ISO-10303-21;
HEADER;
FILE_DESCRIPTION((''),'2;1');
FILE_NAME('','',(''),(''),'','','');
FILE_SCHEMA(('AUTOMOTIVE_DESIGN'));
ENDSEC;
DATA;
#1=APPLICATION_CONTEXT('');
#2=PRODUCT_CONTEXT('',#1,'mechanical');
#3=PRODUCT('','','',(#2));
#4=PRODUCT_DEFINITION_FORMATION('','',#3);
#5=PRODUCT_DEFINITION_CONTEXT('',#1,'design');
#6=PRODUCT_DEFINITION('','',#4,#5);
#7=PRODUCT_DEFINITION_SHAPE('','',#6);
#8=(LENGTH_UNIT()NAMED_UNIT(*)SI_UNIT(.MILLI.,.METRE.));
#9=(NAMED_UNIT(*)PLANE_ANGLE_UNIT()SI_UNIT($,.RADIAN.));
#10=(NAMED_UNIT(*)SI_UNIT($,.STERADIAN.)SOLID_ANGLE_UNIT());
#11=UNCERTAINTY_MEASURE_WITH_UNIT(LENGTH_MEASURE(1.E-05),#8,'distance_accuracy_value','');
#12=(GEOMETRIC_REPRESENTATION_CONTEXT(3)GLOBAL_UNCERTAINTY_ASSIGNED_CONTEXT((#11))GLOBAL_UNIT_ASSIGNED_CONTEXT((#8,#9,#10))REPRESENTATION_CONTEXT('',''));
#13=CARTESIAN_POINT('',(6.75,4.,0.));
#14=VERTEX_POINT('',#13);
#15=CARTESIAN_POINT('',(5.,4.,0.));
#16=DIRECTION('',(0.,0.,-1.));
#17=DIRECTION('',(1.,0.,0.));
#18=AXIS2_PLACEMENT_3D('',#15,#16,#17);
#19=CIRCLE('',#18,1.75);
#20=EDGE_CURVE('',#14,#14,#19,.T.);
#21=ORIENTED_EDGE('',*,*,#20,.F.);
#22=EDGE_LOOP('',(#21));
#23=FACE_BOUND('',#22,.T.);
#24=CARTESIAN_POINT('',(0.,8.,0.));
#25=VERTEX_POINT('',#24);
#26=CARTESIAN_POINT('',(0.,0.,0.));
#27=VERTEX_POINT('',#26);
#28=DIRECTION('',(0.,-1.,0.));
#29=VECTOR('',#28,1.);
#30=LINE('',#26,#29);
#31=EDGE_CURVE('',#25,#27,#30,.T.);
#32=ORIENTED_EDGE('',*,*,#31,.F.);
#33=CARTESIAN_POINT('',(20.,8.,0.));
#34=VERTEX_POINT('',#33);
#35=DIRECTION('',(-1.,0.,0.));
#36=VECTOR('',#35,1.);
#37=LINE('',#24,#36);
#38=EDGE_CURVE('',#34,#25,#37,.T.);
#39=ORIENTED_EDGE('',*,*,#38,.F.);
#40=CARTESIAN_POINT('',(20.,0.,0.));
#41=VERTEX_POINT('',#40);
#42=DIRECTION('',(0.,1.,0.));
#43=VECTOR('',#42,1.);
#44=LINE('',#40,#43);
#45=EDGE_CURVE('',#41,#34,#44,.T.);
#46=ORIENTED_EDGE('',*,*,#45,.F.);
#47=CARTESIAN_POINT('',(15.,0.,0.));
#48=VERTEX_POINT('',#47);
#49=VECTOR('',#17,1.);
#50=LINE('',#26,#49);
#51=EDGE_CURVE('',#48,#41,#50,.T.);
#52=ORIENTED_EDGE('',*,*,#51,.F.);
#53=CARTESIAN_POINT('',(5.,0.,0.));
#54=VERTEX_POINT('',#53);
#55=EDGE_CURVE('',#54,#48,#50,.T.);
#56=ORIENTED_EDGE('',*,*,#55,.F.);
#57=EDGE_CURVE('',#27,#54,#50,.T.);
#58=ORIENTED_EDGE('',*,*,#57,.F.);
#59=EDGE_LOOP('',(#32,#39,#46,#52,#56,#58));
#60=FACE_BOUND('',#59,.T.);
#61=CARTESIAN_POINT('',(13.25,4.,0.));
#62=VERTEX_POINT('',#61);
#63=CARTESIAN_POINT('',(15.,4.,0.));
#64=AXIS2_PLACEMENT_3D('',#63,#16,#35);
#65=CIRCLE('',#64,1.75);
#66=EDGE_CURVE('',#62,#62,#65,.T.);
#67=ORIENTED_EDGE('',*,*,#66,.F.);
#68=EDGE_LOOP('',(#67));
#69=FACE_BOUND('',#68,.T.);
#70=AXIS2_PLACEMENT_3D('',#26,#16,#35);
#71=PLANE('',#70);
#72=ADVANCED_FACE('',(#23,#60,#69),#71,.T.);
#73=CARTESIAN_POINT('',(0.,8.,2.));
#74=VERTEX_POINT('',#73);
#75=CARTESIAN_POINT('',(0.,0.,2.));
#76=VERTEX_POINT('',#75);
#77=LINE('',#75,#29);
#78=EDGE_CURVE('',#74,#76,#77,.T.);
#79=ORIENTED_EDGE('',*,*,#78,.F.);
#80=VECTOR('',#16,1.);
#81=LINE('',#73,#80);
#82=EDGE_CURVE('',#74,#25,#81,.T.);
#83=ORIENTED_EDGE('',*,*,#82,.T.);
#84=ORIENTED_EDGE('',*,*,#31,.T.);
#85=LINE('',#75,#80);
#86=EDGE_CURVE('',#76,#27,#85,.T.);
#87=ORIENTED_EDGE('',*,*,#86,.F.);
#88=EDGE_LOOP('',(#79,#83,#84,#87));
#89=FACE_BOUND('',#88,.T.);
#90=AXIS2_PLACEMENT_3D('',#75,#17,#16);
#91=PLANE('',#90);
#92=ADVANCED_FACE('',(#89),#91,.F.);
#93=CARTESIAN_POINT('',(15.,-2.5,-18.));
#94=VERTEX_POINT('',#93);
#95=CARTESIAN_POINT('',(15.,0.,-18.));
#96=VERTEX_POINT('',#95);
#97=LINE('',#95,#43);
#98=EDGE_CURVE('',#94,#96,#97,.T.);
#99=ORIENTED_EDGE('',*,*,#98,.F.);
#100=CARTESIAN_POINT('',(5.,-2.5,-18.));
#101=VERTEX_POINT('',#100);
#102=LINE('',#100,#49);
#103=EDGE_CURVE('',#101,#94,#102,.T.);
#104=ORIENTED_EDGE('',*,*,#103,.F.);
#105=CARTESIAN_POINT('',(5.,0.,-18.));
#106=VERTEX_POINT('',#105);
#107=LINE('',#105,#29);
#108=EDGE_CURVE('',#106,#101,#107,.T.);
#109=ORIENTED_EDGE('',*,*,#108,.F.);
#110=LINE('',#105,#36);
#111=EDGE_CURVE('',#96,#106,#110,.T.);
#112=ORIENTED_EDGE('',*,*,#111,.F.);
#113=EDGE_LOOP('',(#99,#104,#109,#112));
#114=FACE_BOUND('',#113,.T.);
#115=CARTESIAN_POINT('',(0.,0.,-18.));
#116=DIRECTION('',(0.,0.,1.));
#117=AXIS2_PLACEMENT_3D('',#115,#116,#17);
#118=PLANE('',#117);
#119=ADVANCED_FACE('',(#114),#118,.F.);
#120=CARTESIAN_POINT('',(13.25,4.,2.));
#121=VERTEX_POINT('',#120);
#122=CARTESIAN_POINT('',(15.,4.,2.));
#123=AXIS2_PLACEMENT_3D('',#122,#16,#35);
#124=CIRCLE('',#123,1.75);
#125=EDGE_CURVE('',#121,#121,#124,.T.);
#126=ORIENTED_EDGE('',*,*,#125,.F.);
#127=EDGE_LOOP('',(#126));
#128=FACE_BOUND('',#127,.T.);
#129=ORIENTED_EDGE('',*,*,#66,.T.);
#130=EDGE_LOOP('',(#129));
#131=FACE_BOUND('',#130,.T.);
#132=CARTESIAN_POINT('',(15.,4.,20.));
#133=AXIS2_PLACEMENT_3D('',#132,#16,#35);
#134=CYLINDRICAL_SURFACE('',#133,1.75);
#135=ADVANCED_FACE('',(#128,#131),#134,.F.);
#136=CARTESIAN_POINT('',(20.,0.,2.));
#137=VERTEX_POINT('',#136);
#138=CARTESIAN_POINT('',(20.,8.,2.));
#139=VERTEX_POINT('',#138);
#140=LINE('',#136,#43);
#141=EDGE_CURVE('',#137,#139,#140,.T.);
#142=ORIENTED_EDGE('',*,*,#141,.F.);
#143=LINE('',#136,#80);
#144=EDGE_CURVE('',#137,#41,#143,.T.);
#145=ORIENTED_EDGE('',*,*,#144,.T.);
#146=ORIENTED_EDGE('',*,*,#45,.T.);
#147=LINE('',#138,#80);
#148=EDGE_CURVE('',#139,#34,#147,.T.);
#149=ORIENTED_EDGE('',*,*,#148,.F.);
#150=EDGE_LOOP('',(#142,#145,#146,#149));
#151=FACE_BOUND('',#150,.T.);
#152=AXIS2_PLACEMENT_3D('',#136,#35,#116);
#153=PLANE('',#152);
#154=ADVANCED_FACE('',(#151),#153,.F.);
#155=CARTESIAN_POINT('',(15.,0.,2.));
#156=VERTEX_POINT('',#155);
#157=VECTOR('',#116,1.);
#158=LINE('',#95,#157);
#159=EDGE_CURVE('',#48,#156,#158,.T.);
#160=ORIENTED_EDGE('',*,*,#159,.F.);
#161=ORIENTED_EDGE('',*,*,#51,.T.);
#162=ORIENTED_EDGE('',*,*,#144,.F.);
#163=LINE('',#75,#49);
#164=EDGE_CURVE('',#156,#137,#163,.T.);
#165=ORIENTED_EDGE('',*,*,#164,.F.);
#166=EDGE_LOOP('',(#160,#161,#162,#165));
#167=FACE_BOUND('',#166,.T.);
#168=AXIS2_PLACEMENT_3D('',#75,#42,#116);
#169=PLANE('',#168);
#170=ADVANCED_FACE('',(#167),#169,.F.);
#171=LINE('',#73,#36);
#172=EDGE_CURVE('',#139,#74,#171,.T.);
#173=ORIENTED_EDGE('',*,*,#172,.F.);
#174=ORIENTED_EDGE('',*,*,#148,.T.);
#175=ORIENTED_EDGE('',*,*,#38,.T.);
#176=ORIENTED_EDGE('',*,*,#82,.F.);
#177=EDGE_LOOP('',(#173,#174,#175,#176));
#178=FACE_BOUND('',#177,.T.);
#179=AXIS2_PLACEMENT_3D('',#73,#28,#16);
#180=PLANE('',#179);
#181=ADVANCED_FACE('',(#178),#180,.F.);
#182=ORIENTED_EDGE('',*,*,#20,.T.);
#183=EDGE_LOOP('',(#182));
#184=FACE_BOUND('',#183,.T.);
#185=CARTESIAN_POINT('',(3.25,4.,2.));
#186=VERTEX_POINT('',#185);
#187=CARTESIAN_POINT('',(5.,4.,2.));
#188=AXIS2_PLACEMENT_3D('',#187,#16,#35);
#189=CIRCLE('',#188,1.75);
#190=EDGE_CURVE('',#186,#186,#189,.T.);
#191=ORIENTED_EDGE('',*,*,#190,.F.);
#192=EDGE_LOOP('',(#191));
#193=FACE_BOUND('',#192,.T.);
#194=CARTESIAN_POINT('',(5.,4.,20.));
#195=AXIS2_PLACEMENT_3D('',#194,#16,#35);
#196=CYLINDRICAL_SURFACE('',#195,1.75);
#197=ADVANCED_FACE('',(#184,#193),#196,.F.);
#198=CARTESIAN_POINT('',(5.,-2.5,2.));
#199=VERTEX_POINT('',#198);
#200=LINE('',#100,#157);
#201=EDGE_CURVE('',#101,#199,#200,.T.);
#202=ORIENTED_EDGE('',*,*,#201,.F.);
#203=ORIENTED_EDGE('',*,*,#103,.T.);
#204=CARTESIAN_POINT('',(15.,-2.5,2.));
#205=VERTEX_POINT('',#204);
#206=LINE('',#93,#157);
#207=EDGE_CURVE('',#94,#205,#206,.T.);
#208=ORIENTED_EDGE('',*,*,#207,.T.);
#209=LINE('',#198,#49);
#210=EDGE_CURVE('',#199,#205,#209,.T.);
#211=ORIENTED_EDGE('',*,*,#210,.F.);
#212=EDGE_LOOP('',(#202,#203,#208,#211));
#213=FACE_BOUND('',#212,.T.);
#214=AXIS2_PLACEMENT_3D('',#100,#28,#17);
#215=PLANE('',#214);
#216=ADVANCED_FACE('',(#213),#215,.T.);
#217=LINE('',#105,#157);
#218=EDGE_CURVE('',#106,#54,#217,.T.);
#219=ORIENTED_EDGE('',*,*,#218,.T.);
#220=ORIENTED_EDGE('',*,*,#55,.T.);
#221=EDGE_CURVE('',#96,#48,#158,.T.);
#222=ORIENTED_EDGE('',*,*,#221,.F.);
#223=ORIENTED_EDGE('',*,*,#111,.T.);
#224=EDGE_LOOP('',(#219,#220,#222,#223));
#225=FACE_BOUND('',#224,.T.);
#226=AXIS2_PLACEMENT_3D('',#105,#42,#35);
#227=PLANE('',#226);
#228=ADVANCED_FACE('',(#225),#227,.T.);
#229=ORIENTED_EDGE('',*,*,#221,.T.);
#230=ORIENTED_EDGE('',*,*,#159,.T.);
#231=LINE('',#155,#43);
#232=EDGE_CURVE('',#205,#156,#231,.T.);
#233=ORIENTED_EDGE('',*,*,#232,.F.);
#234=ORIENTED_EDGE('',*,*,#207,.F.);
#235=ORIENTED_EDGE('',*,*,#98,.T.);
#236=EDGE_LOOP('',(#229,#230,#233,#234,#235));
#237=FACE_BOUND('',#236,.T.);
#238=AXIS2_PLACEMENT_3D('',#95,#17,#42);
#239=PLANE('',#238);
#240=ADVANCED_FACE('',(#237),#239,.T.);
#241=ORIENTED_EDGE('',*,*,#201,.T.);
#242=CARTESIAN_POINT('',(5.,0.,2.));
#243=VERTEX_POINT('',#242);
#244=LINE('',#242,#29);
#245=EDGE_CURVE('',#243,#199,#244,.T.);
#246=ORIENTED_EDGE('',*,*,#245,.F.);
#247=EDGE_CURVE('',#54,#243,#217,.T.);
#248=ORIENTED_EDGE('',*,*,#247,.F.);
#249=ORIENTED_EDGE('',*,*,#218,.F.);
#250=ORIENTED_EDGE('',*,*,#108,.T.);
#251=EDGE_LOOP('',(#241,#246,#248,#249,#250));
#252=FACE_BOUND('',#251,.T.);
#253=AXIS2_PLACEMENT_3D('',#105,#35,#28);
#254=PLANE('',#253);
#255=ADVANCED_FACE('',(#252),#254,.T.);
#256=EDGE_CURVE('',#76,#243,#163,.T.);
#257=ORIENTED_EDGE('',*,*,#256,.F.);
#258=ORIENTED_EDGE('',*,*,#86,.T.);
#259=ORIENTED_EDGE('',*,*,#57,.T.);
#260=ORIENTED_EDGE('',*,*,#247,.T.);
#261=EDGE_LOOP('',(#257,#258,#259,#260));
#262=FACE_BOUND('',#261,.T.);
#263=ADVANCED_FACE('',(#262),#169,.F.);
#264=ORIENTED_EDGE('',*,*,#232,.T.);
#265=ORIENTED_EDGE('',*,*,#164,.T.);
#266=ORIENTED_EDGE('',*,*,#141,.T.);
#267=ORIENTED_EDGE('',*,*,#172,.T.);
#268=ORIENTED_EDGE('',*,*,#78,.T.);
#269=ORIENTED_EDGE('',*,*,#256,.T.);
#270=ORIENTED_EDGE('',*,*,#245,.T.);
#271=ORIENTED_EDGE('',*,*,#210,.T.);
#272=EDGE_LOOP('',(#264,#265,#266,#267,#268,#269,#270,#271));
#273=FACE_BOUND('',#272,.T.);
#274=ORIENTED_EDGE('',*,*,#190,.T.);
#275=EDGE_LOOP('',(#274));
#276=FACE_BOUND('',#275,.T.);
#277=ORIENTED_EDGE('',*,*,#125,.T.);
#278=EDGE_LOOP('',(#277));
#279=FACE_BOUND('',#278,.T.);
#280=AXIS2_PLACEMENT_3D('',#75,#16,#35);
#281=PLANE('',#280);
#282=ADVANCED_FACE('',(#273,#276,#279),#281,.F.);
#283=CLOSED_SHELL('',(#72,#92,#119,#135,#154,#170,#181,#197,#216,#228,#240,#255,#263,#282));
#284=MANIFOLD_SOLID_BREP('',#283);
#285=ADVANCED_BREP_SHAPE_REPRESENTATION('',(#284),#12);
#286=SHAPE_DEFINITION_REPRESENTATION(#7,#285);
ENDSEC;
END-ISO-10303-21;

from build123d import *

# Parameters (mm, degrees)
SKETCH_1_W          = 20
SKETCH_1_H          = 8
EXTRUDE_1_DEPTH     = 2
SKETCH_2_W          = 10
SKETCH_2_H          = 2.5
EXTRUDE_2_DEPTH     = 20
SKETCH_3_R          = 1.75
CUT_EXTRUDE_1_DEPTH = 20


with BuildPart() as part:
    # 草图1 → 凸台-拉伸1 (new body)
    with BuildSketch(Plane.XY):
        with Locations((10, 4)):
            Rectangle(SKETCH_1_W, SKETCH_1_H)
    extrude(amount=EXTRUDE_1_DEPTH)

    # 草图2 → 凸台-拉伸2 (add)
    with BuildSketch(Plane.XY.offset(2)):
        with Locations((10, -1.25)):
            Rectangle(SKETCH_2_W, SKETCH_2_H)
    extrude(amount=-EXTRUDE_2_DEPTH)

    # 草图3 → 切除-拉伸1 (cut)
    with BuildSketch(Plane(origin=(0, 0, 0), x_dir=(-1, 0, 0), z_dir=(0, 0, -1))):
        with Locations((-15, 4)):
            Circle(SKETCH_3_R)
        with Locations((-5, 4)):
            Circle(SKETCH_3_R)
    extrude(amount=-CUT_EXTRUDE_1_DEPTH, mode=Mode.SUBTRACT)


solid = part.part
